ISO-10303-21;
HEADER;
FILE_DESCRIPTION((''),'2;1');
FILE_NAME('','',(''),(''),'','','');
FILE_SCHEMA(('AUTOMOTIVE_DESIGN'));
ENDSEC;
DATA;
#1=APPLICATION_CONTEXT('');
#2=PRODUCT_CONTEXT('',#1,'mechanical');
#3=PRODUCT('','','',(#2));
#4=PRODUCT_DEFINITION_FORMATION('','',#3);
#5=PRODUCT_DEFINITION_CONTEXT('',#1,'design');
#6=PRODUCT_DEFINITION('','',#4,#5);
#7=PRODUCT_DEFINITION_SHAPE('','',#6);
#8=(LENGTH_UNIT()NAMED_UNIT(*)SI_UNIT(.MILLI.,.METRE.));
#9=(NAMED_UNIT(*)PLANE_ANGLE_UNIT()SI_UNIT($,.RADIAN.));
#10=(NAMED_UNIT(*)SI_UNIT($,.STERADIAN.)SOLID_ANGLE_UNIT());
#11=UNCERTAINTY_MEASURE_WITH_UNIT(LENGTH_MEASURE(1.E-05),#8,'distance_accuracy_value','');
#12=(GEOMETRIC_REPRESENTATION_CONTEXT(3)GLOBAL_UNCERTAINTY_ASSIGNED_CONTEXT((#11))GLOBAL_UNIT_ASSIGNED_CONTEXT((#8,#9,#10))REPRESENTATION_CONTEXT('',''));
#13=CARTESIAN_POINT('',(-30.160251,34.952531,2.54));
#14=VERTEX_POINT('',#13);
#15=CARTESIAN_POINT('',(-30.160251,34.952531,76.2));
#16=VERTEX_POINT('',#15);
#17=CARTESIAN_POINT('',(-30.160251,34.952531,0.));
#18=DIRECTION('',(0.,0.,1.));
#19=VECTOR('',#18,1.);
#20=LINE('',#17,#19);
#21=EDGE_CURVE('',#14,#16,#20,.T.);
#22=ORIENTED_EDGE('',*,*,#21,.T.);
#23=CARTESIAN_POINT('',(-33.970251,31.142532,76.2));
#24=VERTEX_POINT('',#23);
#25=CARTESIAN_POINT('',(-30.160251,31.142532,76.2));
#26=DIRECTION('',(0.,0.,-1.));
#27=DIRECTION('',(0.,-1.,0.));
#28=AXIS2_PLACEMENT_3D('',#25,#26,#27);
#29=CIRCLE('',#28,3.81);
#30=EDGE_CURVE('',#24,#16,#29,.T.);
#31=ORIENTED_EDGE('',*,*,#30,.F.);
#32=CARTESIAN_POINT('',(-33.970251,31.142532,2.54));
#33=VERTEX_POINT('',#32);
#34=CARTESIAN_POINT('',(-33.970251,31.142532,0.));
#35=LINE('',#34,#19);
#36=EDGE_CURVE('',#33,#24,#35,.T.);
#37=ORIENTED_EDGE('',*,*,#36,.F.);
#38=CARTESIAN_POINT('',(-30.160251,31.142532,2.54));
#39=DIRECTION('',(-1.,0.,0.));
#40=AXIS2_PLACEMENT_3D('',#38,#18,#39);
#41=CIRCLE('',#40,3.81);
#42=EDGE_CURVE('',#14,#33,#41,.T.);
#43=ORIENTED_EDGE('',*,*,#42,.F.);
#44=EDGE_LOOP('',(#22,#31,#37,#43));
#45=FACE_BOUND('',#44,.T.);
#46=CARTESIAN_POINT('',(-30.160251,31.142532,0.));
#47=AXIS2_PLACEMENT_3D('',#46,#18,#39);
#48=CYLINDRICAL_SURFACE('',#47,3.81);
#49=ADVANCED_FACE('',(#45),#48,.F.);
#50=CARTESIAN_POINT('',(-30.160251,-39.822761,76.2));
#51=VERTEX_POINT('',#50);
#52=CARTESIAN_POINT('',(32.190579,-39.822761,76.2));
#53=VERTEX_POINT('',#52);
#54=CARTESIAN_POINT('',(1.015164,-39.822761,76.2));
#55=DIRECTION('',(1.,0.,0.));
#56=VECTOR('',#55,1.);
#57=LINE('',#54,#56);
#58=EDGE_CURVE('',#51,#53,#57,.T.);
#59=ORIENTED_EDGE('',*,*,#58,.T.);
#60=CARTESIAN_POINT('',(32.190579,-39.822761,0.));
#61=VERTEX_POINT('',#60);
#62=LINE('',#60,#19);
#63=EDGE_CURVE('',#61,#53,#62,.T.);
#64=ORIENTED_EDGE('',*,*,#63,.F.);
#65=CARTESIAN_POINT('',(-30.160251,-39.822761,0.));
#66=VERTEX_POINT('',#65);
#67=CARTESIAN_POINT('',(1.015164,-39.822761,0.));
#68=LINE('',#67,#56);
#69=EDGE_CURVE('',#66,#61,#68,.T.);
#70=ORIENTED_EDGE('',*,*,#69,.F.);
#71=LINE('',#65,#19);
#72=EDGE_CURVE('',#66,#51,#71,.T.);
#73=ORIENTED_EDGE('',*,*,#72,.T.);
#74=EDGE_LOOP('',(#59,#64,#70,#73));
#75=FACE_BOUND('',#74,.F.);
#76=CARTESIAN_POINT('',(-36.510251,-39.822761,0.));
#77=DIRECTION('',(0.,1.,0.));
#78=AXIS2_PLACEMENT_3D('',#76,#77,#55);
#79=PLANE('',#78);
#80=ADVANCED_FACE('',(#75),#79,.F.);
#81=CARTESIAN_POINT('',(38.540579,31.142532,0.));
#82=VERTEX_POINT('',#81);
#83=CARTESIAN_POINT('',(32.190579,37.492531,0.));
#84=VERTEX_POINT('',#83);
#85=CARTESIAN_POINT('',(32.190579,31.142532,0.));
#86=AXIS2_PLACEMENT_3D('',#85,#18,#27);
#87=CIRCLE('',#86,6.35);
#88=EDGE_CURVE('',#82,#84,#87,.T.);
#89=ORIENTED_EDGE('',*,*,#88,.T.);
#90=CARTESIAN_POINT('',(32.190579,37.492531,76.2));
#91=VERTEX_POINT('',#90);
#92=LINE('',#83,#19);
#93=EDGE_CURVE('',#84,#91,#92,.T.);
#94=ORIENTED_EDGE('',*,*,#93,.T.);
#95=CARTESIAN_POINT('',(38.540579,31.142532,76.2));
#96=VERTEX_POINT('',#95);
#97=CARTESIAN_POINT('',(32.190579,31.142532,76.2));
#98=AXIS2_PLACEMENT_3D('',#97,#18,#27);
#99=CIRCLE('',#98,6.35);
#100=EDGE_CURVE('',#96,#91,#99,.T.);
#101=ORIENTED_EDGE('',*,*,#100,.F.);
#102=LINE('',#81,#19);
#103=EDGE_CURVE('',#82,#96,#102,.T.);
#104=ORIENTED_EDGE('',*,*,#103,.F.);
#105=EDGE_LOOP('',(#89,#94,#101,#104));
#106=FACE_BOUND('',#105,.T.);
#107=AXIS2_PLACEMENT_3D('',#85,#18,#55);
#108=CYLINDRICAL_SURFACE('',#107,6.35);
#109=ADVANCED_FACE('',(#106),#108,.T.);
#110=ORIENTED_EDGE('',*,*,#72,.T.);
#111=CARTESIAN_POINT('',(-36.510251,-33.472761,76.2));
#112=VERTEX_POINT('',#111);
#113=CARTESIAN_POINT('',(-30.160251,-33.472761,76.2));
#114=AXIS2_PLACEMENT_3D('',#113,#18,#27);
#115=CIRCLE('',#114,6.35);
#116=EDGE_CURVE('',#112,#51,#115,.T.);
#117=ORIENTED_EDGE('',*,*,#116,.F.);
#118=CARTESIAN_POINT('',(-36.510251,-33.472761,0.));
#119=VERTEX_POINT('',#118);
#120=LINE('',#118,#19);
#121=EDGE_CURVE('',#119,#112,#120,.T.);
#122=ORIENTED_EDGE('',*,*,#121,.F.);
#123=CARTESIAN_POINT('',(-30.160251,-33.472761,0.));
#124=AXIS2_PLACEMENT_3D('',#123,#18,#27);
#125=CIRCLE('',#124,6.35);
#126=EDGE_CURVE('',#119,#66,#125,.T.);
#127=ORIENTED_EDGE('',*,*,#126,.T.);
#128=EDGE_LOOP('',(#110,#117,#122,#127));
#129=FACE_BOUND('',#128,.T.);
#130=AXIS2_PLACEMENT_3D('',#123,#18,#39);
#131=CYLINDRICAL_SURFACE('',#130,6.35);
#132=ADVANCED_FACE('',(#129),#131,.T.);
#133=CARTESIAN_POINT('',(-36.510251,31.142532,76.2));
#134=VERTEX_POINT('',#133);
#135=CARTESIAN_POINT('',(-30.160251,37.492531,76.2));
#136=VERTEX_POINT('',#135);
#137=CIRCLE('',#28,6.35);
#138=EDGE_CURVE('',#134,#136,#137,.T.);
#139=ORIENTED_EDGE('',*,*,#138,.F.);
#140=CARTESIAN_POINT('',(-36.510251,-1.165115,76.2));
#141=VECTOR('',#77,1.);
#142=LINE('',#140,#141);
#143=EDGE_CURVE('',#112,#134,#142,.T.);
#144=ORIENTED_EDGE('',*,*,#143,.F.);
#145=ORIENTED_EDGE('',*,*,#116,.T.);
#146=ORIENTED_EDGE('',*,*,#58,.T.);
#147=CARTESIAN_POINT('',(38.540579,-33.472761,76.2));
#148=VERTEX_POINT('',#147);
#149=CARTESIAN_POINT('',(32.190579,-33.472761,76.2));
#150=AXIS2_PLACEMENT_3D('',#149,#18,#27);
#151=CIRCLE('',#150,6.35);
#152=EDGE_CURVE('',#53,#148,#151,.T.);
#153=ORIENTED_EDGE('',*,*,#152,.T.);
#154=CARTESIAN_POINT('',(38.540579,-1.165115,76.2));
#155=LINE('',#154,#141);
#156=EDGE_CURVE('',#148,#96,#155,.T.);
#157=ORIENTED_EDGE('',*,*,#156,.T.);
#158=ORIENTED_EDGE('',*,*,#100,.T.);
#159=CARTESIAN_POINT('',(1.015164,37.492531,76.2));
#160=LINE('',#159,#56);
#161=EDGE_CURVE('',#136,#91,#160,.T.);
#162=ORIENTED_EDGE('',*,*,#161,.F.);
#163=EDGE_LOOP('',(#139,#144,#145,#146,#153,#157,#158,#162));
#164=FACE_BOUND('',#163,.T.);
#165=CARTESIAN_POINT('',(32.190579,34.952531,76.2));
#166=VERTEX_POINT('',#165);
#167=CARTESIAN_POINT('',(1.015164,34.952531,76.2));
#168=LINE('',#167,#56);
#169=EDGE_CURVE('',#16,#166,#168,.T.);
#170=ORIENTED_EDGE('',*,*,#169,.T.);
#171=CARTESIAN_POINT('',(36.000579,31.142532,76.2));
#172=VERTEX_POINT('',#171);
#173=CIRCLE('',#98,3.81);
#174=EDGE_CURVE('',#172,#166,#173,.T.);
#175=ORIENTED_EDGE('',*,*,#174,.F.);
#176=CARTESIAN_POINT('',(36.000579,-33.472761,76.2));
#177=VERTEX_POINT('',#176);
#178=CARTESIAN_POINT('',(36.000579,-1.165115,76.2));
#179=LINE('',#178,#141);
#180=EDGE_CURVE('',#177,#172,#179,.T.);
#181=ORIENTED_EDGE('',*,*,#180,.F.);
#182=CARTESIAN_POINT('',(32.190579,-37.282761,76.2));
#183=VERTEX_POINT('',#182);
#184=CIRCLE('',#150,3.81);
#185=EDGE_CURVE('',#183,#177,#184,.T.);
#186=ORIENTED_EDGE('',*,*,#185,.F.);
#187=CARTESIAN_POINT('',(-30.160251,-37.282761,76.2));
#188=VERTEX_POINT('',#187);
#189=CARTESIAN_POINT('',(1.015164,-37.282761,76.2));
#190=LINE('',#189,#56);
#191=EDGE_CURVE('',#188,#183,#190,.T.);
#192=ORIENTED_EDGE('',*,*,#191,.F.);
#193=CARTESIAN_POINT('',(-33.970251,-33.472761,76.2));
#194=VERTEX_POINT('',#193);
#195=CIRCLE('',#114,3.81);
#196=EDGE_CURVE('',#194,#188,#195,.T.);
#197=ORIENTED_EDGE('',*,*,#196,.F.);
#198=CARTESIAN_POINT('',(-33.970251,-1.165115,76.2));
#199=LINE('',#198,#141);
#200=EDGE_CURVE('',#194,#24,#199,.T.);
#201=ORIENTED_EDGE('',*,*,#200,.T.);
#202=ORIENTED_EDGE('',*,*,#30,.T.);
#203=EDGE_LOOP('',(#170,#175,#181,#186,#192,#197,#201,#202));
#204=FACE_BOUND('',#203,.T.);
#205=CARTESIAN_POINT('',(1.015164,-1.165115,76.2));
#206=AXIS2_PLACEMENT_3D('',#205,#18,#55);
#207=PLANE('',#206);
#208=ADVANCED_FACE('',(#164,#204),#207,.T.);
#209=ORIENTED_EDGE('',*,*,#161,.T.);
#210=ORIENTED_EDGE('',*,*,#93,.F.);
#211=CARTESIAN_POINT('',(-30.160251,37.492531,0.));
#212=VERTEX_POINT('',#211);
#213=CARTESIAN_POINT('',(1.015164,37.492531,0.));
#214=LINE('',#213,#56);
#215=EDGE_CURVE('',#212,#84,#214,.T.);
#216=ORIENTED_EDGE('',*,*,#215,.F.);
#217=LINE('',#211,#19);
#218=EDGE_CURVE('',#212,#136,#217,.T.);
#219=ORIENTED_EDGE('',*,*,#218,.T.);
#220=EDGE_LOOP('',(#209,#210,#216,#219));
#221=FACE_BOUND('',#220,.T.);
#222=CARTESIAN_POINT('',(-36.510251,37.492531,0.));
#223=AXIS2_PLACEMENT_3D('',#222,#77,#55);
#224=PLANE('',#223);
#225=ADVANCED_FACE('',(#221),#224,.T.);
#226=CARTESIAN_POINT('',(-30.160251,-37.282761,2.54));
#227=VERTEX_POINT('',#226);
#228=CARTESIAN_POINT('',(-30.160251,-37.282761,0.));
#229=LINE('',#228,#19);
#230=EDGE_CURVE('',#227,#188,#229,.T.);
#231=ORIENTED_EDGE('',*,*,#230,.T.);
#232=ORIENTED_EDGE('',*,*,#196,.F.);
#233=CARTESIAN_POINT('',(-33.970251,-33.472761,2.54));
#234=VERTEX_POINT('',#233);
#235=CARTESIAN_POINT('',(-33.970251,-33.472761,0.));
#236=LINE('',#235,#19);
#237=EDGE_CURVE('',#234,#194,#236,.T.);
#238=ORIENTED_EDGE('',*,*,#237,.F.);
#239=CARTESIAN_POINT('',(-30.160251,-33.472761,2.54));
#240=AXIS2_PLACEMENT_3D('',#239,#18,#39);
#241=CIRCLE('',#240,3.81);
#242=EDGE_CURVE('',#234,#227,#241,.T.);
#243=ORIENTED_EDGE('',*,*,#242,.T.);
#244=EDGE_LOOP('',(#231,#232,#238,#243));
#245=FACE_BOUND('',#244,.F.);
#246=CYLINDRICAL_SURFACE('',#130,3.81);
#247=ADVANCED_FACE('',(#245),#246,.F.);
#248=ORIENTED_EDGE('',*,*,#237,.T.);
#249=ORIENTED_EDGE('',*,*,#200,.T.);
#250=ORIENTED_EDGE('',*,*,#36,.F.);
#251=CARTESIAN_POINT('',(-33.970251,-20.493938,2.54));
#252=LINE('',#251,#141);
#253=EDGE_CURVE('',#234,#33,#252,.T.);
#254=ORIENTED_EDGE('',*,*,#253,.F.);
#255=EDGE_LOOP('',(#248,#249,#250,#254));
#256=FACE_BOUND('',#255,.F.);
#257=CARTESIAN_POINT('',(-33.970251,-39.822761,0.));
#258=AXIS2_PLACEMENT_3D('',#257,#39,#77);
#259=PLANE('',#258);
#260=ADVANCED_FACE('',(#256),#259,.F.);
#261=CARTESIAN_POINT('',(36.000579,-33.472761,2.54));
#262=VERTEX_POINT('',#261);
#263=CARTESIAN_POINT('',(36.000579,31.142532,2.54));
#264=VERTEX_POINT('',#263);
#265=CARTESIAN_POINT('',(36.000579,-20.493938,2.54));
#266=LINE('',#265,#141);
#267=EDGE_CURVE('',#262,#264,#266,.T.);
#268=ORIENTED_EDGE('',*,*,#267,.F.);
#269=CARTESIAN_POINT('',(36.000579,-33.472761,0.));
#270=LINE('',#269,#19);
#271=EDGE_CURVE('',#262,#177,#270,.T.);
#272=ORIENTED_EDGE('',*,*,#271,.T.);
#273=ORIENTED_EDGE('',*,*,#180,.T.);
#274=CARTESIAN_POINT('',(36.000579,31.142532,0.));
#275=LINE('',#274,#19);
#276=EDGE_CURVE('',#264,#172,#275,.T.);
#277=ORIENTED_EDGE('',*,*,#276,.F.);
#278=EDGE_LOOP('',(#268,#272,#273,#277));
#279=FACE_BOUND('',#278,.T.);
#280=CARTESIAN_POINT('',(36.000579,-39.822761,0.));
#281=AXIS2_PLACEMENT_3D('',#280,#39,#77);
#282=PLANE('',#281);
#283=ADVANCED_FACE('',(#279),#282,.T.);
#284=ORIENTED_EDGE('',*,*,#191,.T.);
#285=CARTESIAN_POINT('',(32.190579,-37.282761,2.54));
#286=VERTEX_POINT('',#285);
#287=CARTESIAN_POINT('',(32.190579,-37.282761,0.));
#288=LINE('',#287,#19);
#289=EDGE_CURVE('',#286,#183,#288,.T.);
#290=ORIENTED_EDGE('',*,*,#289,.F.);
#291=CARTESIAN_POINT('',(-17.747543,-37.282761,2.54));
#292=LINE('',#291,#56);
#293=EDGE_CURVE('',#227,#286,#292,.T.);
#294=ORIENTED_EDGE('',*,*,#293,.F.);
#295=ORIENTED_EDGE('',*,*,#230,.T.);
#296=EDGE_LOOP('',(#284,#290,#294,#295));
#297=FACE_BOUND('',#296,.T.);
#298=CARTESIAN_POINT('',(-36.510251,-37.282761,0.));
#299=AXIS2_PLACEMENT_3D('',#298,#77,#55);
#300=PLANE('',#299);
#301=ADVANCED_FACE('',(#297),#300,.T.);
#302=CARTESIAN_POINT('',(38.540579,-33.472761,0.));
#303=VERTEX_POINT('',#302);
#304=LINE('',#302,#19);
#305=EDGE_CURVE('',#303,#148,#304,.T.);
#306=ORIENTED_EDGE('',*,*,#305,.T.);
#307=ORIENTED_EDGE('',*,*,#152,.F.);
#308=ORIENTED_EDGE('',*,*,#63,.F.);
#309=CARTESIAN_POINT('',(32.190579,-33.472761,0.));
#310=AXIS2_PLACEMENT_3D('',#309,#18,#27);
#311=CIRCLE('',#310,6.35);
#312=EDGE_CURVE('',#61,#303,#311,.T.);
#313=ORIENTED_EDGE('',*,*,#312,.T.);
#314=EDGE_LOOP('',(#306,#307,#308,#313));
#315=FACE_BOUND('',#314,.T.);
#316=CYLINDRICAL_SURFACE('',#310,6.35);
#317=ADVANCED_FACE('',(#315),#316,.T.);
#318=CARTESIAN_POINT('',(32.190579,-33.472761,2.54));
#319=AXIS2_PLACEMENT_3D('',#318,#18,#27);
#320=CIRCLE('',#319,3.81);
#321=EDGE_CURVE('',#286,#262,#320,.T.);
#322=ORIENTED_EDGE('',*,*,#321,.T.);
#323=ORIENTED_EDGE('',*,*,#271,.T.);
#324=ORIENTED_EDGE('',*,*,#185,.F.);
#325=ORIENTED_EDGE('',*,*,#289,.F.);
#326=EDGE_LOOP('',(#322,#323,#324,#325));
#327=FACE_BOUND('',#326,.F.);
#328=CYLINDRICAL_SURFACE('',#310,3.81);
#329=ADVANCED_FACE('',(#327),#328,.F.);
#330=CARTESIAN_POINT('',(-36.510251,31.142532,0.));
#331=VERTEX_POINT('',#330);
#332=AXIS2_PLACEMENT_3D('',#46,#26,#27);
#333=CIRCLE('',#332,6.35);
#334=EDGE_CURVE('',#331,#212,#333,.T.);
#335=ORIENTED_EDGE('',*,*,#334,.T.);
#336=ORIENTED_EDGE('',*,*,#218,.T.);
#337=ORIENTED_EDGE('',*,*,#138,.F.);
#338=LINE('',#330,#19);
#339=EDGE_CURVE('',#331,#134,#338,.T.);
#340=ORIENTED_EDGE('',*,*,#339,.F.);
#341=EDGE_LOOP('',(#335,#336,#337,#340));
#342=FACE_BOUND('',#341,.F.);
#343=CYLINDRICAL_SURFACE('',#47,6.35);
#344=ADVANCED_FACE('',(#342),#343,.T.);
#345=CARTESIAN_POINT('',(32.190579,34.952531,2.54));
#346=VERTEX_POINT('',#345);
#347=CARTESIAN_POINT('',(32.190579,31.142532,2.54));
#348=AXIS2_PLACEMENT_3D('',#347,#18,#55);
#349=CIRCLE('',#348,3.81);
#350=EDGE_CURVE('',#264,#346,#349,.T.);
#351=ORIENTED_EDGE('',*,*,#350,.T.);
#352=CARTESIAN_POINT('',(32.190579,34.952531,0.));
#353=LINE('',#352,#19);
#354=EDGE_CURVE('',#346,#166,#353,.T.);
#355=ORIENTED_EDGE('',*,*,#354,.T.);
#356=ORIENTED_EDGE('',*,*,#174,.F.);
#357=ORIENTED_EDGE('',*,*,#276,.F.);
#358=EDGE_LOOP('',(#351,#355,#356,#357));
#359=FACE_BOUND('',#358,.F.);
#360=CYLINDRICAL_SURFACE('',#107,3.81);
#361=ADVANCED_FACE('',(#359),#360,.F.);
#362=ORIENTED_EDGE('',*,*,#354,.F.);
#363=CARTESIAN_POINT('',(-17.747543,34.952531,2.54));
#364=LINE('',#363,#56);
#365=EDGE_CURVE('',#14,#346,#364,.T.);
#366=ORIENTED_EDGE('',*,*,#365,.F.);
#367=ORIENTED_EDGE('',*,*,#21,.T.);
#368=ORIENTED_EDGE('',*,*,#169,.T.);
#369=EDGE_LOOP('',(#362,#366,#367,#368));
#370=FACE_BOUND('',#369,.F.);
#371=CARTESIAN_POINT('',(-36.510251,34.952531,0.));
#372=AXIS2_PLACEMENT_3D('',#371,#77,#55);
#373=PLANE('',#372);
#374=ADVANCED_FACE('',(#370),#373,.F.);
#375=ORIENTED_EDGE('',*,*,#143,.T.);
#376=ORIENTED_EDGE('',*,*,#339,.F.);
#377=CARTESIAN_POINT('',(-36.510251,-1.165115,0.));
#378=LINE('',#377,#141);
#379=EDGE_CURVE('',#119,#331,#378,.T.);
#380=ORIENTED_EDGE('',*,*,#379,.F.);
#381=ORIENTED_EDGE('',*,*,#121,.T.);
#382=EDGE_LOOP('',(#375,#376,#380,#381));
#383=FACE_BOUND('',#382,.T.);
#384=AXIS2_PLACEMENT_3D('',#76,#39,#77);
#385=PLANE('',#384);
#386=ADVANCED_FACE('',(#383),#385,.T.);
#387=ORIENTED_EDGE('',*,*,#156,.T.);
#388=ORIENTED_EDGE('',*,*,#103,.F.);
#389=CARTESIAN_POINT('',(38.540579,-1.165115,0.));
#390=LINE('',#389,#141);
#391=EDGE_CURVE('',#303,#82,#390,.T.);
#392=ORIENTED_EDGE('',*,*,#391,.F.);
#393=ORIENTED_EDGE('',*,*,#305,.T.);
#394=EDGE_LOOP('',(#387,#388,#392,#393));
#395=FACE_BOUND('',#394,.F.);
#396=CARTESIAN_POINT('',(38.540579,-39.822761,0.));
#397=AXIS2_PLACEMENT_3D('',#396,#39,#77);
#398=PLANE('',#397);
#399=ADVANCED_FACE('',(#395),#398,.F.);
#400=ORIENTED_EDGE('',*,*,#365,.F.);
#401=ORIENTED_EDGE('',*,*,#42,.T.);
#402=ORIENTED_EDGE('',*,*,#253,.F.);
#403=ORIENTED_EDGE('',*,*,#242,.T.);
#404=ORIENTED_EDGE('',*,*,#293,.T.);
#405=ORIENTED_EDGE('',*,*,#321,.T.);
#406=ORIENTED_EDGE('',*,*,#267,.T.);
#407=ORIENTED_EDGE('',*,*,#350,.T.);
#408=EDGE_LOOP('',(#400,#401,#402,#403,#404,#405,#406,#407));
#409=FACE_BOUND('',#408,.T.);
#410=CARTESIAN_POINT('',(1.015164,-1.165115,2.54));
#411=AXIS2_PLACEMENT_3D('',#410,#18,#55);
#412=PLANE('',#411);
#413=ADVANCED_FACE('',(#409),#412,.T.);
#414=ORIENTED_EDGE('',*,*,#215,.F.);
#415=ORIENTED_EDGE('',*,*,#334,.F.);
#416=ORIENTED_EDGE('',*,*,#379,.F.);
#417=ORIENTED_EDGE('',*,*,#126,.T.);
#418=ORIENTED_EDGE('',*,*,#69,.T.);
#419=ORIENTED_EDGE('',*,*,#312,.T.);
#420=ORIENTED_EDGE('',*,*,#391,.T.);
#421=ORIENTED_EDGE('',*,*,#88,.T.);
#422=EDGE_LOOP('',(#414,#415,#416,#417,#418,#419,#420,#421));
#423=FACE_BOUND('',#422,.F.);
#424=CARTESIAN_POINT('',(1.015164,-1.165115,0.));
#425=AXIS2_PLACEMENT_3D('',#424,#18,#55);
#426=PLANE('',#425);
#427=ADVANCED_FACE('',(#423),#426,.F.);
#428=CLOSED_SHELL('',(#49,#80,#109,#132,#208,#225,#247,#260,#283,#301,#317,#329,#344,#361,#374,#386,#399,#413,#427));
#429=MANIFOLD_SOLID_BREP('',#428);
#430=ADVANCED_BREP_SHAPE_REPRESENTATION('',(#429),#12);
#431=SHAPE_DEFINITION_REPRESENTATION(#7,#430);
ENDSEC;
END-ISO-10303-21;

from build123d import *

# Parameters (mm, degrees)
F0_W     = 75.05083
F0_H     = 77.315293
F1_DEPTH = 76.2
F2_R     = 6.35
F3_T     = -2.54


with BuildPart() as f1:
    # F0 (on Top) → F1 (new body)
    with BuildSketch(Plane.XY):
        with Locations((1.015164, -1.165115)):
            Rectangle(F0_W, F0_H)
    extrude(amount=F1_DEPTH)

    # F2
    f2_edges = [f1.edges().sort_by_distance(p)[0] for p in [
        (-36.510251, -39.822761, 38.1),
        (-36.510251, 37.492532, 38.1),
        (38.540579, 37.492532, 38.1),
        (38.540579, -39.822761, 38.1),
    ]]
    fillet(f2_edges, radius=F2_R)

    # F3
    f3_openings = [f1.faces().sort_by_distance(p)[0] for p in [
        (1.015164, -1.165114, 76.2),
    ]]
    offset(amount=F3_T, openings=f3_openings)


solid = f1.part
